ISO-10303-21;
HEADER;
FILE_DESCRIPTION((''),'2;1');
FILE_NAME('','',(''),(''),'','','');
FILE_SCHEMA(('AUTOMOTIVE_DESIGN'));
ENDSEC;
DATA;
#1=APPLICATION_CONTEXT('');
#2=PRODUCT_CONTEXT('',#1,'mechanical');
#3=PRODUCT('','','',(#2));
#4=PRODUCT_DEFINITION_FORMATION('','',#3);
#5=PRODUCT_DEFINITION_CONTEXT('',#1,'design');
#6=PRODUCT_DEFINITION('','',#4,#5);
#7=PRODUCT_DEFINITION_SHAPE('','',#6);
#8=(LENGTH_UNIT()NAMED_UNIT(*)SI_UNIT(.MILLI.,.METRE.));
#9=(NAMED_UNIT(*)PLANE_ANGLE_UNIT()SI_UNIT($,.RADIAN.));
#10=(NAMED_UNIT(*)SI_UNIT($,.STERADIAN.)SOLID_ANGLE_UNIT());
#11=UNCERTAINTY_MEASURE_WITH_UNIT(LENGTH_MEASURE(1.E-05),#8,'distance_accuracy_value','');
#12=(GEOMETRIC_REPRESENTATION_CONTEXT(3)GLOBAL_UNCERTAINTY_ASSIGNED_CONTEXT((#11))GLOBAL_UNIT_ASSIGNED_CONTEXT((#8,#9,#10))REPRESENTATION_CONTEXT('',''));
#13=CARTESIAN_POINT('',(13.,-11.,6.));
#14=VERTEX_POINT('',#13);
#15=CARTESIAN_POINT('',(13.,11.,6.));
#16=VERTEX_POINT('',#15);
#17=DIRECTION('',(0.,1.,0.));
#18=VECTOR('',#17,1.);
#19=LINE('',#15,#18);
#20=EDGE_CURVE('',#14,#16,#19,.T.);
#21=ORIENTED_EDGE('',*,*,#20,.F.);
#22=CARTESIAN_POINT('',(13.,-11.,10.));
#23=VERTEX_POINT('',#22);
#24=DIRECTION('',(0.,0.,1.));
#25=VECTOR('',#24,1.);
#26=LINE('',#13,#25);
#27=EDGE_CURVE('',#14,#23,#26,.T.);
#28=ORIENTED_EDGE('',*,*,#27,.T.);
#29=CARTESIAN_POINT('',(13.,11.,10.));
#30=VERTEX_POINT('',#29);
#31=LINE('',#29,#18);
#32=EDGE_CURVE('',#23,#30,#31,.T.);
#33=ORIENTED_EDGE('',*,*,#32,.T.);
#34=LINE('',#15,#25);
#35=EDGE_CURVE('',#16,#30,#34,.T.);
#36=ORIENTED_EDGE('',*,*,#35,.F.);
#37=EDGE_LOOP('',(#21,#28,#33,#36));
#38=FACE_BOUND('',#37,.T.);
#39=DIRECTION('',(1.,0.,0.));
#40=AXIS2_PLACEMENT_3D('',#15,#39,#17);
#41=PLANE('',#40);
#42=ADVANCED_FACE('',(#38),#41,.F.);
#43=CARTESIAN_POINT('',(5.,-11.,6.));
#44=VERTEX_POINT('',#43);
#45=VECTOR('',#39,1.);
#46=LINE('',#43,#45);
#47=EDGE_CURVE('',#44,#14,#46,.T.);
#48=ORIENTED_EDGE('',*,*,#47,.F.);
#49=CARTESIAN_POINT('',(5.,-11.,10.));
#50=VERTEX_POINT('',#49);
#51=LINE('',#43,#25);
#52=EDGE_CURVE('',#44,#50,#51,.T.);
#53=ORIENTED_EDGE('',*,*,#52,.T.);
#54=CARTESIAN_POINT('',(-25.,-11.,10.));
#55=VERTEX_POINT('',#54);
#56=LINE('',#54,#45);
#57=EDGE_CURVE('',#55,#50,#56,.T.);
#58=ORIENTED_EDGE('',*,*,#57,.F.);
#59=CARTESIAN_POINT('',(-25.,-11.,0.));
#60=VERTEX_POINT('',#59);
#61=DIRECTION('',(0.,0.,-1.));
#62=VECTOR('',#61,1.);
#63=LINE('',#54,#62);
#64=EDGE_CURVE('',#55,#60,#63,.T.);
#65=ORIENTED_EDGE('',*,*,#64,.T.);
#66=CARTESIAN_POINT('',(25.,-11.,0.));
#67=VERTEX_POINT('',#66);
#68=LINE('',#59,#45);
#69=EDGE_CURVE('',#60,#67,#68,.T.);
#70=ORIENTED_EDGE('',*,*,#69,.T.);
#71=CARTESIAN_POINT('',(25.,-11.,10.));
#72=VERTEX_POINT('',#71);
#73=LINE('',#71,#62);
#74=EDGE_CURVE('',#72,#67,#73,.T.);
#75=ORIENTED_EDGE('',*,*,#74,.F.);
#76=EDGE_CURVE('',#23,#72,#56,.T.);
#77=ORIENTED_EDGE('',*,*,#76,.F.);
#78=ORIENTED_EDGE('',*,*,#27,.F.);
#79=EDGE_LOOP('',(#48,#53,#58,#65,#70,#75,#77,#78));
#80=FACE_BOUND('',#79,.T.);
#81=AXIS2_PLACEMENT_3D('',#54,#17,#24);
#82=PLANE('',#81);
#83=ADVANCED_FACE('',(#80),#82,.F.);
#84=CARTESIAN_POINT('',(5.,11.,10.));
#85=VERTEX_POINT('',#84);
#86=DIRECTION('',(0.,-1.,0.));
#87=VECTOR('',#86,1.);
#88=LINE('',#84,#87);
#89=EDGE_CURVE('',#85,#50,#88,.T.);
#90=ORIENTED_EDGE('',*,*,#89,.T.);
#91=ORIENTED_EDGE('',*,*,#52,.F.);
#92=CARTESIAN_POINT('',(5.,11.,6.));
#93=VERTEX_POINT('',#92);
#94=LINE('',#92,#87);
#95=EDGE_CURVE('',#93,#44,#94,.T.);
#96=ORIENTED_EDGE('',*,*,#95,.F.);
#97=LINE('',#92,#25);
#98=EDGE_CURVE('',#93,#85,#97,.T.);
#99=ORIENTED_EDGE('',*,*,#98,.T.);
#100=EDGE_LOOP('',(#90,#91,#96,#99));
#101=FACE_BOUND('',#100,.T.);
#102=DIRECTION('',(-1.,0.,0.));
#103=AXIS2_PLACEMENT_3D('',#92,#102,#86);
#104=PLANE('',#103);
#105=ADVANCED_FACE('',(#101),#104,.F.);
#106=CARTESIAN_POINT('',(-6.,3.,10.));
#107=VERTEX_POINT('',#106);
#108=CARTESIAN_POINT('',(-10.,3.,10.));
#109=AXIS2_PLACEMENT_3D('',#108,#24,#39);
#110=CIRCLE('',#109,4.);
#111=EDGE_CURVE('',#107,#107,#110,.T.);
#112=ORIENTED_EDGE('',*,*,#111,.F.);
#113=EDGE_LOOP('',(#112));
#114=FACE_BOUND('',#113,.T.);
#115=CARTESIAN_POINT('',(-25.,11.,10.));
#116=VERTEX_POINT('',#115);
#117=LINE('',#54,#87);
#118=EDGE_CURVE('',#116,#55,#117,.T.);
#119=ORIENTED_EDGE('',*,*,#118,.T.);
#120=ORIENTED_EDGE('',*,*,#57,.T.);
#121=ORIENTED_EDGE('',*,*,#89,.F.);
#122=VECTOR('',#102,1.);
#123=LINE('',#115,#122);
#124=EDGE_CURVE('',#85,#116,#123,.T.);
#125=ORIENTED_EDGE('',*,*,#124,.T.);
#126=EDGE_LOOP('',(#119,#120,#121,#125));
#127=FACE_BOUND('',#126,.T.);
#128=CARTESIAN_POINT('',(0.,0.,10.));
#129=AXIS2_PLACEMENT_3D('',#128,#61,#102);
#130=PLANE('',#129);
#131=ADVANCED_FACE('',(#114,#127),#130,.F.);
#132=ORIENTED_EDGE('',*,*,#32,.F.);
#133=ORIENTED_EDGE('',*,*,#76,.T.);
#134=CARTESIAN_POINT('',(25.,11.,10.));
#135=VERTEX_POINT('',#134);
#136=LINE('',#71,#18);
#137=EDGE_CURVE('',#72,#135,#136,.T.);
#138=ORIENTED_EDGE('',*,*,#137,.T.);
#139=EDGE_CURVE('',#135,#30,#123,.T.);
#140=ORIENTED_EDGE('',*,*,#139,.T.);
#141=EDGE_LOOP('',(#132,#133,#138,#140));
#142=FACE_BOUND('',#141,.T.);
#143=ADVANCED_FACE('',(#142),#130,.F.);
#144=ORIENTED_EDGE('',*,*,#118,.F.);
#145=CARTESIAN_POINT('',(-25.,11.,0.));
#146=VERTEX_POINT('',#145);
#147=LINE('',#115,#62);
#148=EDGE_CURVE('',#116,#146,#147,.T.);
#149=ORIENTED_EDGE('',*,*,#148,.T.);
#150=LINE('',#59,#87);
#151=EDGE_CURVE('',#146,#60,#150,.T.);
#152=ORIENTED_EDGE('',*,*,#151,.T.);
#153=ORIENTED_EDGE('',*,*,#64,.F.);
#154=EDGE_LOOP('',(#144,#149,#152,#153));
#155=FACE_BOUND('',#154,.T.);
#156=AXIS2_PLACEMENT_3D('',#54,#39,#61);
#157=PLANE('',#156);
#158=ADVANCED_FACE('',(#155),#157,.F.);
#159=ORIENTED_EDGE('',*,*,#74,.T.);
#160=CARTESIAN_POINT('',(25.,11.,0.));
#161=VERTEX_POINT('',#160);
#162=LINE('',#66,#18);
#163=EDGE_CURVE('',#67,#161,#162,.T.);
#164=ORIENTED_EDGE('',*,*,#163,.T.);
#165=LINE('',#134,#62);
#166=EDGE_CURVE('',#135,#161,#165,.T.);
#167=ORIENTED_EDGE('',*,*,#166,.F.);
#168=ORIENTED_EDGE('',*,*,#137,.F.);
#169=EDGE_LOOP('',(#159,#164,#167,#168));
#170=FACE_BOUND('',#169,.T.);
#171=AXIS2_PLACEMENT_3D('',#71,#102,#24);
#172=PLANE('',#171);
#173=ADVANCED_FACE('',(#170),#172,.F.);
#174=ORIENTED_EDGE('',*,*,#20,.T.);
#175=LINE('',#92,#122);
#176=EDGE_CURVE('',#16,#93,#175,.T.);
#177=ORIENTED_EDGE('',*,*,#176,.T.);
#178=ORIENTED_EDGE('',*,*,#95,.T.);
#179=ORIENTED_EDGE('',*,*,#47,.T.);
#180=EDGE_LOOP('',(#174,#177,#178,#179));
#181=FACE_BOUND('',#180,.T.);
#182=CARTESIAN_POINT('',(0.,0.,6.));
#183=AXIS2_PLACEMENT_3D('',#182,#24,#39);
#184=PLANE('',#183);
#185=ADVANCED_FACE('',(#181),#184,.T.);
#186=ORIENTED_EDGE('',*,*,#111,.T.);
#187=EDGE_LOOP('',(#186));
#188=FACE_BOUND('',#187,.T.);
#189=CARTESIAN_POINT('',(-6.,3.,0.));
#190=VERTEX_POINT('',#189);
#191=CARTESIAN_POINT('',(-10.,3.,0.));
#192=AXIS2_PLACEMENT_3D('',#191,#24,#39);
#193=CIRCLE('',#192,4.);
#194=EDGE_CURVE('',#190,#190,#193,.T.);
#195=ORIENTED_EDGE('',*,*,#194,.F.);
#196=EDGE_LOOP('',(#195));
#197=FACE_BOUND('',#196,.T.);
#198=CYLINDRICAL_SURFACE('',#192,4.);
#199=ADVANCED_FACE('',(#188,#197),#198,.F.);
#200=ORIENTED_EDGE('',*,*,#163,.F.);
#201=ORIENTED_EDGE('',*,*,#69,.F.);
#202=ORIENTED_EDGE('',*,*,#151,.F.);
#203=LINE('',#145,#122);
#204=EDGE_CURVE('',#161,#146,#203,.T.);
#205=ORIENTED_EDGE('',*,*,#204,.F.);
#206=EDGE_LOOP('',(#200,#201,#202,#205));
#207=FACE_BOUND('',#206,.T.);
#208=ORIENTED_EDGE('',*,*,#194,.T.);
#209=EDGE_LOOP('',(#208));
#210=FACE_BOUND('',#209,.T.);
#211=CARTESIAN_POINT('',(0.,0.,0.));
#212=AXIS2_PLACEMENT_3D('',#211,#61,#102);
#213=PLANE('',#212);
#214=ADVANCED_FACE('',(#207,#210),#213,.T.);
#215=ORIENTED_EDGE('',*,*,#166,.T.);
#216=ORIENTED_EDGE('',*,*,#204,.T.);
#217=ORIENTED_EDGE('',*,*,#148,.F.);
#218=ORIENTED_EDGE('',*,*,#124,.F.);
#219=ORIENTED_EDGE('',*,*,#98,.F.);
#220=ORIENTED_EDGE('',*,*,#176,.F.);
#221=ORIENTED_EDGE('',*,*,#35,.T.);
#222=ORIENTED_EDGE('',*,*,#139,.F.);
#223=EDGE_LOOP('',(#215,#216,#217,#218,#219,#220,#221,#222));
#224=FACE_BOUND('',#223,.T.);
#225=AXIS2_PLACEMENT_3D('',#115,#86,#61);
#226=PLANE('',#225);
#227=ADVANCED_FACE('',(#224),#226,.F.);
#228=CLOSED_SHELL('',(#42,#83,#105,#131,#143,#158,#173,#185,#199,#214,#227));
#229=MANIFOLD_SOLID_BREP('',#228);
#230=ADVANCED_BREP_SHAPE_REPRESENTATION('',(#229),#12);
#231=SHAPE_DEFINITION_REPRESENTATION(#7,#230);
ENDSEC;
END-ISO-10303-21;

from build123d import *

# Parameters (mm, degrees)
SKETCH_1_W          = 50
SKETCH_1_H          = 22
EXTRUDE_1_DEPTH     = 10
SKETCH_2_R          = 4
CUT_EXTRUDE_1_DEPTH = 30.086079144
SKETCH_3_W          = 8
SKETCH_3_H          = 22
CUT_EXTRUDE_2_DEPTH = 4


with BuildPart() as part:
    # Эскиз1 → Бобышка-Вытянуть1 (new body)
    with BuildSketch(Plane.XY):
        Rectangle(SKETCH_1_W, SKETCH_1_H)
    extrude(amount=EXTRUDE_1_DEPTH)

    # Эскиз2 → Вырез-Вытянуть1 (cut, through all)
    with BuildSketch(Plane.XY.offset(10)):
        with Locations((-10, 3)):
            Circle(SKETCH_2_R)
    extrude(amount=-CUT_EXTRUDE_1_DEPTH, mode=Mode.SUBTRACT)

    # Эскиз3 → Вырез-Вытянуть2 (cut)
    with BuildSketch(Plane.XY.offset(10)):
        with Locations((9, 0)):
            Rectangle(SKETCH_3_W, SKETCH_3_H)
    extrude(amount=-CUT_EXTRUDE_2_DEPTH, mode=Mode.SUBTRACT)


solid = part.part
